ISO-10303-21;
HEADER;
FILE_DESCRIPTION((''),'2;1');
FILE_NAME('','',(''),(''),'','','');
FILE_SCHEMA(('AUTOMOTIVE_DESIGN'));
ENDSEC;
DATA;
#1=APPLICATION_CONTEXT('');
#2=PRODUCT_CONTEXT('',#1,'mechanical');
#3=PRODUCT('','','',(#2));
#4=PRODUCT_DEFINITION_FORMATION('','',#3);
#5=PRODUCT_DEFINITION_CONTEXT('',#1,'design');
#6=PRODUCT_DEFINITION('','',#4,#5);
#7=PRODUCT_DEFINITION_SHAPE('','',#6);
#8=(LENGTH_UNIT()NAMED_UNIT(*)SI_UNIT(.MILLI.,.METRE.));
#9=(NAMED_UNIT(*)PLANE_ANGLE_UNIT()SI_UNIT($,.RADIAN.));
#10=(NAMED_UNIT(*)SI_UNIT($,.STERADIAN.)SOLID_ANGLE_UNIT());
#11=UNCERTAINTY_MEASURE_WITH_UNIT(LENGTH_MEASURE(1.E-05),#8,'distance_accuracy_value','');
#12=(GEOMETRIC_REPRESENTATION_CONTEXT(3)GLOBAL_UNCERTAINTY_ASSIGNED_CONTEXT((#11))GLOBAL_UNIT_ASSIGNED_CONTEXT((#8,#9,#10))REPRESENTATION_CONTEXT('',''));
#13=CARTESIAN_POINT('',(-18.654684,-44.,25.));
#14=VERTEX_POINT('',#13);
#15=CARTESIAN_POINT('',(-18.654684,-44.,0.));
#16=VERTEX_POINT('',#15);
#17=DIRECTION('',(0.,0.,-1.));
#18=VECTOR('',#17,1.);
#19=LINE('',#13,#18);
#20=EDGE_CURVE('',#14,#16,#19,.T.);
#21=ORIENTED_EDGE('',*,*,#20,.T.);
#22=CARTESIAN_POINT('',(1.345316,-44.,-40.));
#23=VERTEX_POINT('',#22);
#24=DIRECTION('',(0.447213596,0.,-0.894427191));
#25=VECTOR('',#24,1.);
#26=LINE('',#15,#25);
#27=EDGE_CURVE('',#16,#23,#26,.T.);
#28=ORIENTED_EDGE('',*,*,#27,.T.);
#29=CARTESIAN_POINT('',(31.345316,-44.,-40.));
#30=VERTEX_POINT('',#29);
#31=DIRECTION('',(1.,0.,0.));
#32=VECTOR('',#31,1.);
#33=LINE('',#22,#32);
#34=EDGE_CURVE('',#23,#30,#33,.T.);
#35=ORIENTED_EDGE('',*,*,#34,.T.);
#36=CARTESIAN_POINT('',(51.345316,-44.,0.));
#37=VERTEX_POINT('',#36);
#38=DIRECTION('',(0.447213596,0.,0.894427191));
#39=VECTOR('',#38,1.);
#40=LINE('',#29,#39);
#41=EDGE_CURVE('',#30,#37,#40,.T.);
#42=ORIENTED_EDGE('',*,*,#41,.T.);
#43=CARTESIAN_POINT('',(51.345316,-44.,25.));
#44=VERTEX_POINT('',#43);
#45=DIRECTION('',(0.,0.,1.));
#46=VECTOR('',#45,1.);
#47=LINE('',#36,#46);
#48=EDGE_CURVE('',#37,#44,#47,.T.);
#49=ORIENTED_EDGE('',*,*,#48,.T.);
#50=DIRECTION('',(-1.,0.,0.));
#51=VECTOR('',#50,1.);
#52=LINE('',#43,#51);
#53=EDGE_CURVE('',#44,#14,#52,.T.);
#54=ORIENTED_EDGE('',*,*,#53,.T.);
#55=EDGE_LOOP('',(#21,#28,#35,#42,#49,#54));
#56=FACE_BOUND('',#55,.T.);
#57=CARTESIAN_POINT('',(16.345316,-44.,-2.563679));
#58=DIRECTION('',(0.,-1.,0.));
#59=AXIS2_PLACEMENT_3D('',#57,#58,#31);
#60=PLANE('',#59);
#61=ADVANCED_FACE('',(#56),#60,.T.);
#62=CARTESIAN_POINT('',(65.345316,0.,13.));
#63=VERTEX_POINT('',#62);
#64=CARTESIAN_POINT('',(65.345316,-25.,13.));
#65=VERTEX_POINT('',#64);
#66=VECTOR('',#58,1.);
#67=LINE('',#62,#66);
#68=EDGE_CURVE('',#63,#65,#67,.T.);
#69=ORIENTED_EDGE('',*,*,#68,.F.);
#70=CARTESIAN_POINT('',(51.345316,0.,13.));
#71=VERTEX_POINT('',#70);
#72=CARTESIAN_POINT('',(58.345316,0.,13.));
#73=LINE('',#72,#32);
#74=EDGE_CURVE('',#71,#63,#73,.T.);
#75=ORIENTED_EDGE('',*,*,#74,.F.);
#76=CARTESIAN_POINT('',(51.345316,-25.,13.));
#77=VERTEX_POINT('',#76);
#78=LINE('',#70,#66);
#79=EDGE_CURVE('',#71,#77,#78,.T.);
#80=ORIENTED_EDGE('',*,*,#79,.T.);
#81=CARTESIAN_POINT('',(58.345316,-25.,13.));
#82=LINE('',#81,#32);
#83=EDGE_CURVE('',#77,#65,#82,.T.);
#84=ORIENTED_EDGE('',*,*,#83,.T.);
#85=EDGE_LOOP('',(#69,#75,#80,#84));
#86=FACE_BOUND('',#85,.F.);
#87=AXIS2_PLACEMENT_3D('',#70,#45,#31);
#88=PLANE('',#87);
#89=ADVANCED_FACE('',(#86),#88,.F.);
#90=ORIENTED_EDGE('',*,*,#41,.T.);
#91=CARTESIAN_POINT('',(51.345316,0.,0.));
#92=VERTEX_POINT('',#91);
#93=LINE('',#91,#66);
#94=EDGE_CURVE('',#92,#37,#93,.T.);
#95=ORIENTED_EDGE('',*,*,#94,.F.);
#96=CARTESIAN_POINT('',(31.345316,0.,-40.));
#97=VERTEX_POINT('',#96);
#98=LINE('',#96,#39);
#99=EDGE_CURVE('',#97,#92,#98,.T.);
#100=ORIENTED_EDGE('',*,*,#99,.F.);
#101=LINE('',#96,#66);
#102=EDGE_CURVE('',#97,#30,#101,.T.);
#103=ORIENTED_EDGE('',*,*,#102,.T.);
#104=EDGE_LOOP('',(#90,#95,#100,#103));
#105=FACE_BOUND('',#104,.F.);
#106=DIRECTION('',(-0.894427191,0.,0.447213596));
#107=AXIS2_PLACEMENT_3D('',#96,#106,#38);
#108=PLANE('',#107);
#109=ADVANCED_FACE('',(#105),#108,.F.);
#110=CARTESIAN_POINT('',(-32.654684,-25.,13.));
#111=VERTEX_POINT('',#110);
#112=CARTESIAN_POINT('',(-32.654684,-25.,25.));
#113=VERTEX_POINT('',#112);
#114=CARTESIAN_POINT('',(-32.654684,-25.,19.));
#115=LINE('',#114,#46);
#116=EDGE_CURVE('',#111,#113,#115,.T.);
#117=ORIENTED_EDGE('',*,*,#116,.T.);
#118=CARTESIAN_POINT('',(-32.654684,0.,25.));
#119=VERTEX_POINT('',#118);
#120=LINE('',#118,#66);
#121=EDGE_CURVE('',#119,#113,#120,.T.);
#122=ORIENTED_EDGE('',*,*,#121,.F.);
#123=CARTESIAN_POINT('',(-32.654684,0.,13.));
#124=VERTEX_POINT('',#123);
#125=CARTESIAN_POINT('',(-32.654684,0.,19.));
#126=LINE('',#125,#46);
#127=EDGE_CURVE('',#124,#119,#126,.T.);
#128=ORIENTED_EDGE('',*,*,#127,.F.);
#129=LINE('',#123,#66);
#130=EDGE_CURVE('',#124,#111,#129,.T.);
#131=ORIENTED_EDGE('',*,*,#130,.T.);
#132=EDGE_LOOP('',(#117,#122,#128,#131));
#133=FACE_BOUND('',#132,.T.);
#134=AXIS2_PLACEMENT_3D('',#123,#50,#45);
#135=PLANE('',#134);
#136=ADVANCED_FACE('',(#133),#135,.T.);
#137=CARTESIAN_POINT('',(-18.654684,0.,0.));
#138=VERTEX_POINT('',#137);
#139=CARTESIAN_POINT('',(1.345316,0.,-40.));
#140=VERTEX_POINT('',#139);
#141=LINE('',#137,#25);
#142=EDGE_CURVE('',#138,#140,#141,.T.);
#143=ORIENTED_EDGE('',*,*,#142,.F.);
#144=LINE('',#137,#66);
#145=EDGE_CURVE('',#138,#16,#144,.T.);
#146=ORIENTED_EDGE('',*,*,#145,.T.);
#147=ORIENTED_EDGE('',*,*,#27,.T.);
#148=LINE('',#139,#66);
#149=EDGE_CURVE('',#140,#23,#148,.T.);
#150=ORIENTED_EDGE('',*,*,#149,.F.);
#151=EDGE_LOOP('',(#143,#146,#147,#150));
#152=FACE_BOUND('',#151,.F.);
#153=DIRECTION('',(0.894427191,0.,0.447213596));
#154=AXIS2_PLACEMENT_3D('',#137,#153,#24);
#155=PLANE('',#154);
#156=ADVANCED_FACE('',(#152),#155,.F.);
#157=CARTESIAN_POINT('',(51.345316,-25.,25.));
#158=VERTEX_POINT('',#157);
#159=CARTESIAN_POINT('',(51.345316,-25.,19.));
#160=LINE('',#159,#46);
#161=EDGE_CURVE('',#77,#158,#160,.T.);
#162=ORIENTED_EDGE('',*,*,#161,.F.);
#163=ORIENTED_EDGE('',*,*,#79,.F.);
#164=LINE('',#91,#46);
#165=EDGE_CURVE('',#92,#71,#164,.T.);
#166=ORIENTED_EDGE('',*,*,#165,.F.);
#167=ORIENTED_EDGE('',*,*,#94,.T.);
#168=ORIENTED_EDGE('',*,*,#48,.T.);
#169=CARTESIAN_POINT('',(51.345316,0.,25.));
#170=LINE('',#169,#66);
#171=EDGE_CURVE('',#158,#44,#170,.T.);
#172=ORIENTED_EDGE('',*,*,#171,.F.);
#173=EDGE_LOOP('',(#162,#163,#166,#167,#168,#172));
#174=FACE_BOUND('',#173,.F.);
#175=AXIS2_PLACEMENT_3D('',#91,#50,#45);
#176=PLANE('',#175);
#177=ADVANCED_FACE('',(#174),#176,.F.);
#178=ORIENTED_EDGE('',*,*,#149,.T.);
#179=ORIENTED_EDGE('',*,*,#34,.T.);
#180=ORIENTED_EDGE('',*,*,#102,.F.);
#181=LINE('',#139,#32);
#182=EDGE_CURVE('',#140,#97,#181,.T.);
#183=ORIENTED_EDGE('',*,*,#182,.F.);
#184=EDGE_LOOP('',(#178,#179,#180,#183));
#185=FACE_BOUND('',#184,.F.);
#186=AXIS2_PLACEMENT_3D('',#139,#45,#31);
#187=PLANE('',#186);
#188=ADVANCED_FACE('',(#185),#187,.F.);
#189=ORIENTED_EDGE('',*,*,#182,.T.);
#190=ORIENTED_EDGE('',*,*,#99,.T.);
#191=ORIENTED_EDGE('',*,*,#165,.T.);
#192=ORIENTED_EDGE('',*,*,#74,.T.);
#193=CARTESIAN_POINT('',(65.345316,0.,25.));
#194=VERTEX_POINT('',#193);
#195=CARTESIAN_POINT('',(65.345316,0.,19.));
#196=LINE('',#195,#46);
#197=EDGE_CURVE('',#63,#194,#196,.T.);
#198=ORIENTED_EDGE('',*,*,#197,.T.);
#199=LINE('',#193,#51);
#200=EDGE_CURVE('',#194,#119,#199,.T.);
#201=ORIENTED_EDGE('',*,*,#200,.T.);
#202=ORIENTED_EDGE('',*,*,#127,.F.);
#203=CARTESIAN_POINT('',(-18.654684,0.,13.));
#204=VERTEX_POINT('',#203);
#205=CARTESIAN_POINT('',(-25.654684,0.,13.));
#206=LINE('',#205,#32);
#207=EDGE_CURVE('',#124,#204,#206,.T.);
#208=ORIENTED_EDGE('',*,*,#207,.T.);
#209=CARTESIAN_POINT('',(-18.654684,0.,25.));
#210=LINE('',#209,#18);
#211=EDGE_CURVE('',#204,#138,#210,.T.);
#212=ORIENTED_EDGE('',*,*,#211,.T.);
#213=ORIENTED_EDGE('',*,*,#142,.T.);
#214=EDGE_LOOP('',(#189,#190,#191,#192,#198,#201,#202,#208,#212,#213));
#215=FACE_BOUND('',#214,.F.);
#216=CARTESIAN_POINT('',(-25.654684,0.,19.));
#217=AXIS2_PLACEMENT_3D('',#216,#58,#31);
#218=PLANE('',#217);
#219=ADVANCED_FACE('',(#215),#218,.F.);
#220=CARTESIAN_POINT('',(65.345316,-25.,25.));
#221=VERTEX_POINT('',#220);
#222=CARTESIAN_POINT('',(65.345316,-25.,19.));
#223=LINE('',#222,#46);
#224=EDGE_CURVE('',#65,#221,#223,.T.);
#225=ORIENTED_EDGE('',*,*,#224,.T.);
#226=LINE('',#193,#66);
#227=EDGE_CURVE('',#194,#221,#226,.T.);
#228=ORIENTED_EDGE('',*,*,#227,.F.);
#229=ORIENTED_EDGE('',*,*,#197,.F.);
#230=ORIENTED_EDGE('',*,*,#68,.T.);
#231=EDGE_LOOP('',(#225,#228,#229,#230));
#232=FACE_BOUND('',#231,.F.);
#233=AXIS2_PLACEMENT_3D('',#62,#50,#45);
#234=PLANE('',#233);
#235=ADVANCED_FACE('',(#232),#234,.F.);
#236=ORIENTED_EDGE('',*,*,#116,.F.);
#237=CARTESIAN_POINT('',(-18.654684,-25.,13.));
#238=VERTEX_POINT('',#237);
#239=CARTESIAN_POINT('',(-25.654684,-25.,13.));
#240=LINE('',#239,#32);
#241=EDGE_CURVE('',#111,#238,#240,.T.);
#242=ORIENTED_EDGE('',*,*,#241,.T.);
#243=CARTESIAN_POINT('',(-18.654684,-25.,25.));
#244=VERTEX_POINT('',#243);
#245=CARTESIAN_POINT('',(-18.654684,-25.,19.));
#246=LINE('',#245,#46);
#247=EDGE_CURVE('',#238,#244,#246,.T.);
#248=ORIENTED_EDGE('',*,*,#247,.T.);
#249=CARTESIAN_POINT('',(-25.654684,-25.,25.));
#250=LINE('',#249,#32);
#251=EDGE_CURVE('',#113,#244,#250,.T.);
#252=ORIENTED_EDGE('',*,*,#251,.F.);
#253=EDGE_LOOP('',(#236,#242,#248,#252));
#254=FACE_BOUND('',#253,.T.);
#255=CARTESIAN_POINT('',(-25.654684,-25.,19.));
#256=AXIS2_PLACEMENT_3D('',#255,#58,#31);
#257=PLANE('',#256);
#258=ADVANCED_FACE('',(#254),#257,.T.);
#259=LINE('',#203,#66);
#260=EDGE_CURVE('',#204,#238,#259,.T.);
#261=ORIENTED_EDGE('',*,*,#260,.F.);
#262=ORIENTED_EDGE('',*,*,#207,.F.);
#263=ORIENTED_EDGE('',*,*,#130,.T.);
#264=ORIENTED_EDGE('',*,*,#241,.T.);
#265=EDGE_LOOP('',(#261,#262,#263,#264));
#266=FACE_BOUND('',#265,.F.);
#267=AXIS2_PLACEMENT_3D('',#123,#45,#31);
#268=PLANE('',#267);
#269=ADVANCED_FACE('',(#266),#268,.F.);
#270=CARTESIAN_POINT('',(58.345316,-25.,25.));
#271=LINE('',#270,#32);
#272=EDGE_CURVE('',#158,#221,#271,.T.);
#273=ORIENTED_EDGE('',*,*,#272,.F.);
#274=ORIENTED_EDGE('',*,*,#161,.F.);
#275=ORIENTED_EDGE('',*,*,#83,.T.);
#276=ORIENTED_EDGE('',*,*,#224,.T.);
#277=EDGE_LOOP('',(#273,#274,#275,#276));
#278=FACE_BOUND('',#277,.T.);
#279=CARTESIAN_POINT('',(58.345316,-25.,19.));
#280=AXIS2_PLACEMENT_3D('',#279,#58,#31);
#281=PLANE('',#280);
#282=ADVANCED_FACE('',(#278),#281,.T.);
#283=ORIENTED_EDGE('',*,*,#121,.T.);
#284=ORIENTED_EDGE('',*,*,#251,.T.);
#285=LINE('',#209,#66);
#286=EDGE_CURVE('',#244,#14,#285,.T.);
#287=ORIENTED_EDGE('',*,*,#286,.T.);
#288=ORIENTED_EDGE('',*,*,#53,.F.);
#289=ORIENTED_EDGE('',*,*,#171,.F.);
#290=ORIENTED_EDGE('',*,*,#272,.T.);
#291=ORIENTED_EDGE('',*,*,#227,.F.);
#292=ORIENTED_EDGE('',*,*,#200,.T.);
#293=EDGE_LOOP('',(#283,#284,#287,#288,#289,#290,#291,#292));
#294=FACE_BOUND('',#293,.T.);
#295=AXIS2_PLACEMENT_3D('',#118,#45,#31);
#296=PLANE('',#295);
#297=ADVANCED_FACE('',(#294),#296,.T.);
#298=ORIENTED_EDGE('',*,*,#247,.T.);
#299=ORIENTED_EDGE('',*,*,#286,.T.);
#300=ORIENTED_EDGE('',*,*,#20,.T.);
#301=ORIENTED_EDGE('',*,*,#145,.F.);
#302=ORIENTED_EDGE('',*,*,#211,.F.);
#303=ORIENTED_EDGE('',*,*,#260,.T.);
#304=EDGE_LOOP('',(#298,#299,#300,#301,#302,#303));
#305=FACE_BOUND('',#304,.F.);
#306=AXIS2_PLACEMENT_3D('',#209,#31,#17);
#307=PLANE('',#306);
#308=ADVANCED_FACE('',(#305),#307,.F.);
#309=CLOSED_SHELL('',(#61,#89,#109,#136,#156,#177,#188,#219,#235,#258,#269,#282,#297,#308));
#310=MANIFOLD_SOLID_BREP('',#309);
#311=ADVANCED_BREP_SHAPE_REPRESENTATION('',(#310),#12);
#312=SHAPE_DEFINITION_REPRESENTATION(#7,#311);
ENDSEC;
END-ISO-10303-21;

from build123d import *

# Parameters (mm, degrees)
F1_DEPTH = 44
F0_W     = 14
F0_H     = 12
F2_DEPTH = 25


with BuildPart() as f1:
    # F0 (on Front) → F1 (new body)
    with BuildSketch(Plane.XZ):
        Polygon((51.345316, 25), (-18.654684, 25), (-18.654684, 13), (-18.654684, 0), (1.345316, -40), (31.345316, -40), (51.345316, 0), (51.345316, 13), align=None)
    extrude(amount=F1_DEPTH)

    # F0 (on Front) → F2 (join)
    with BuildSketch(Plane.XZ):
        with Locations((-25.654684, 19)):
            Rectangle(F0_W, F0_H)
        with Locations((58.345316, 19)):
            Rectangle(F0_W, F0_H)
    extrude(amount=F2_DEPTH)


solid = f1.part
